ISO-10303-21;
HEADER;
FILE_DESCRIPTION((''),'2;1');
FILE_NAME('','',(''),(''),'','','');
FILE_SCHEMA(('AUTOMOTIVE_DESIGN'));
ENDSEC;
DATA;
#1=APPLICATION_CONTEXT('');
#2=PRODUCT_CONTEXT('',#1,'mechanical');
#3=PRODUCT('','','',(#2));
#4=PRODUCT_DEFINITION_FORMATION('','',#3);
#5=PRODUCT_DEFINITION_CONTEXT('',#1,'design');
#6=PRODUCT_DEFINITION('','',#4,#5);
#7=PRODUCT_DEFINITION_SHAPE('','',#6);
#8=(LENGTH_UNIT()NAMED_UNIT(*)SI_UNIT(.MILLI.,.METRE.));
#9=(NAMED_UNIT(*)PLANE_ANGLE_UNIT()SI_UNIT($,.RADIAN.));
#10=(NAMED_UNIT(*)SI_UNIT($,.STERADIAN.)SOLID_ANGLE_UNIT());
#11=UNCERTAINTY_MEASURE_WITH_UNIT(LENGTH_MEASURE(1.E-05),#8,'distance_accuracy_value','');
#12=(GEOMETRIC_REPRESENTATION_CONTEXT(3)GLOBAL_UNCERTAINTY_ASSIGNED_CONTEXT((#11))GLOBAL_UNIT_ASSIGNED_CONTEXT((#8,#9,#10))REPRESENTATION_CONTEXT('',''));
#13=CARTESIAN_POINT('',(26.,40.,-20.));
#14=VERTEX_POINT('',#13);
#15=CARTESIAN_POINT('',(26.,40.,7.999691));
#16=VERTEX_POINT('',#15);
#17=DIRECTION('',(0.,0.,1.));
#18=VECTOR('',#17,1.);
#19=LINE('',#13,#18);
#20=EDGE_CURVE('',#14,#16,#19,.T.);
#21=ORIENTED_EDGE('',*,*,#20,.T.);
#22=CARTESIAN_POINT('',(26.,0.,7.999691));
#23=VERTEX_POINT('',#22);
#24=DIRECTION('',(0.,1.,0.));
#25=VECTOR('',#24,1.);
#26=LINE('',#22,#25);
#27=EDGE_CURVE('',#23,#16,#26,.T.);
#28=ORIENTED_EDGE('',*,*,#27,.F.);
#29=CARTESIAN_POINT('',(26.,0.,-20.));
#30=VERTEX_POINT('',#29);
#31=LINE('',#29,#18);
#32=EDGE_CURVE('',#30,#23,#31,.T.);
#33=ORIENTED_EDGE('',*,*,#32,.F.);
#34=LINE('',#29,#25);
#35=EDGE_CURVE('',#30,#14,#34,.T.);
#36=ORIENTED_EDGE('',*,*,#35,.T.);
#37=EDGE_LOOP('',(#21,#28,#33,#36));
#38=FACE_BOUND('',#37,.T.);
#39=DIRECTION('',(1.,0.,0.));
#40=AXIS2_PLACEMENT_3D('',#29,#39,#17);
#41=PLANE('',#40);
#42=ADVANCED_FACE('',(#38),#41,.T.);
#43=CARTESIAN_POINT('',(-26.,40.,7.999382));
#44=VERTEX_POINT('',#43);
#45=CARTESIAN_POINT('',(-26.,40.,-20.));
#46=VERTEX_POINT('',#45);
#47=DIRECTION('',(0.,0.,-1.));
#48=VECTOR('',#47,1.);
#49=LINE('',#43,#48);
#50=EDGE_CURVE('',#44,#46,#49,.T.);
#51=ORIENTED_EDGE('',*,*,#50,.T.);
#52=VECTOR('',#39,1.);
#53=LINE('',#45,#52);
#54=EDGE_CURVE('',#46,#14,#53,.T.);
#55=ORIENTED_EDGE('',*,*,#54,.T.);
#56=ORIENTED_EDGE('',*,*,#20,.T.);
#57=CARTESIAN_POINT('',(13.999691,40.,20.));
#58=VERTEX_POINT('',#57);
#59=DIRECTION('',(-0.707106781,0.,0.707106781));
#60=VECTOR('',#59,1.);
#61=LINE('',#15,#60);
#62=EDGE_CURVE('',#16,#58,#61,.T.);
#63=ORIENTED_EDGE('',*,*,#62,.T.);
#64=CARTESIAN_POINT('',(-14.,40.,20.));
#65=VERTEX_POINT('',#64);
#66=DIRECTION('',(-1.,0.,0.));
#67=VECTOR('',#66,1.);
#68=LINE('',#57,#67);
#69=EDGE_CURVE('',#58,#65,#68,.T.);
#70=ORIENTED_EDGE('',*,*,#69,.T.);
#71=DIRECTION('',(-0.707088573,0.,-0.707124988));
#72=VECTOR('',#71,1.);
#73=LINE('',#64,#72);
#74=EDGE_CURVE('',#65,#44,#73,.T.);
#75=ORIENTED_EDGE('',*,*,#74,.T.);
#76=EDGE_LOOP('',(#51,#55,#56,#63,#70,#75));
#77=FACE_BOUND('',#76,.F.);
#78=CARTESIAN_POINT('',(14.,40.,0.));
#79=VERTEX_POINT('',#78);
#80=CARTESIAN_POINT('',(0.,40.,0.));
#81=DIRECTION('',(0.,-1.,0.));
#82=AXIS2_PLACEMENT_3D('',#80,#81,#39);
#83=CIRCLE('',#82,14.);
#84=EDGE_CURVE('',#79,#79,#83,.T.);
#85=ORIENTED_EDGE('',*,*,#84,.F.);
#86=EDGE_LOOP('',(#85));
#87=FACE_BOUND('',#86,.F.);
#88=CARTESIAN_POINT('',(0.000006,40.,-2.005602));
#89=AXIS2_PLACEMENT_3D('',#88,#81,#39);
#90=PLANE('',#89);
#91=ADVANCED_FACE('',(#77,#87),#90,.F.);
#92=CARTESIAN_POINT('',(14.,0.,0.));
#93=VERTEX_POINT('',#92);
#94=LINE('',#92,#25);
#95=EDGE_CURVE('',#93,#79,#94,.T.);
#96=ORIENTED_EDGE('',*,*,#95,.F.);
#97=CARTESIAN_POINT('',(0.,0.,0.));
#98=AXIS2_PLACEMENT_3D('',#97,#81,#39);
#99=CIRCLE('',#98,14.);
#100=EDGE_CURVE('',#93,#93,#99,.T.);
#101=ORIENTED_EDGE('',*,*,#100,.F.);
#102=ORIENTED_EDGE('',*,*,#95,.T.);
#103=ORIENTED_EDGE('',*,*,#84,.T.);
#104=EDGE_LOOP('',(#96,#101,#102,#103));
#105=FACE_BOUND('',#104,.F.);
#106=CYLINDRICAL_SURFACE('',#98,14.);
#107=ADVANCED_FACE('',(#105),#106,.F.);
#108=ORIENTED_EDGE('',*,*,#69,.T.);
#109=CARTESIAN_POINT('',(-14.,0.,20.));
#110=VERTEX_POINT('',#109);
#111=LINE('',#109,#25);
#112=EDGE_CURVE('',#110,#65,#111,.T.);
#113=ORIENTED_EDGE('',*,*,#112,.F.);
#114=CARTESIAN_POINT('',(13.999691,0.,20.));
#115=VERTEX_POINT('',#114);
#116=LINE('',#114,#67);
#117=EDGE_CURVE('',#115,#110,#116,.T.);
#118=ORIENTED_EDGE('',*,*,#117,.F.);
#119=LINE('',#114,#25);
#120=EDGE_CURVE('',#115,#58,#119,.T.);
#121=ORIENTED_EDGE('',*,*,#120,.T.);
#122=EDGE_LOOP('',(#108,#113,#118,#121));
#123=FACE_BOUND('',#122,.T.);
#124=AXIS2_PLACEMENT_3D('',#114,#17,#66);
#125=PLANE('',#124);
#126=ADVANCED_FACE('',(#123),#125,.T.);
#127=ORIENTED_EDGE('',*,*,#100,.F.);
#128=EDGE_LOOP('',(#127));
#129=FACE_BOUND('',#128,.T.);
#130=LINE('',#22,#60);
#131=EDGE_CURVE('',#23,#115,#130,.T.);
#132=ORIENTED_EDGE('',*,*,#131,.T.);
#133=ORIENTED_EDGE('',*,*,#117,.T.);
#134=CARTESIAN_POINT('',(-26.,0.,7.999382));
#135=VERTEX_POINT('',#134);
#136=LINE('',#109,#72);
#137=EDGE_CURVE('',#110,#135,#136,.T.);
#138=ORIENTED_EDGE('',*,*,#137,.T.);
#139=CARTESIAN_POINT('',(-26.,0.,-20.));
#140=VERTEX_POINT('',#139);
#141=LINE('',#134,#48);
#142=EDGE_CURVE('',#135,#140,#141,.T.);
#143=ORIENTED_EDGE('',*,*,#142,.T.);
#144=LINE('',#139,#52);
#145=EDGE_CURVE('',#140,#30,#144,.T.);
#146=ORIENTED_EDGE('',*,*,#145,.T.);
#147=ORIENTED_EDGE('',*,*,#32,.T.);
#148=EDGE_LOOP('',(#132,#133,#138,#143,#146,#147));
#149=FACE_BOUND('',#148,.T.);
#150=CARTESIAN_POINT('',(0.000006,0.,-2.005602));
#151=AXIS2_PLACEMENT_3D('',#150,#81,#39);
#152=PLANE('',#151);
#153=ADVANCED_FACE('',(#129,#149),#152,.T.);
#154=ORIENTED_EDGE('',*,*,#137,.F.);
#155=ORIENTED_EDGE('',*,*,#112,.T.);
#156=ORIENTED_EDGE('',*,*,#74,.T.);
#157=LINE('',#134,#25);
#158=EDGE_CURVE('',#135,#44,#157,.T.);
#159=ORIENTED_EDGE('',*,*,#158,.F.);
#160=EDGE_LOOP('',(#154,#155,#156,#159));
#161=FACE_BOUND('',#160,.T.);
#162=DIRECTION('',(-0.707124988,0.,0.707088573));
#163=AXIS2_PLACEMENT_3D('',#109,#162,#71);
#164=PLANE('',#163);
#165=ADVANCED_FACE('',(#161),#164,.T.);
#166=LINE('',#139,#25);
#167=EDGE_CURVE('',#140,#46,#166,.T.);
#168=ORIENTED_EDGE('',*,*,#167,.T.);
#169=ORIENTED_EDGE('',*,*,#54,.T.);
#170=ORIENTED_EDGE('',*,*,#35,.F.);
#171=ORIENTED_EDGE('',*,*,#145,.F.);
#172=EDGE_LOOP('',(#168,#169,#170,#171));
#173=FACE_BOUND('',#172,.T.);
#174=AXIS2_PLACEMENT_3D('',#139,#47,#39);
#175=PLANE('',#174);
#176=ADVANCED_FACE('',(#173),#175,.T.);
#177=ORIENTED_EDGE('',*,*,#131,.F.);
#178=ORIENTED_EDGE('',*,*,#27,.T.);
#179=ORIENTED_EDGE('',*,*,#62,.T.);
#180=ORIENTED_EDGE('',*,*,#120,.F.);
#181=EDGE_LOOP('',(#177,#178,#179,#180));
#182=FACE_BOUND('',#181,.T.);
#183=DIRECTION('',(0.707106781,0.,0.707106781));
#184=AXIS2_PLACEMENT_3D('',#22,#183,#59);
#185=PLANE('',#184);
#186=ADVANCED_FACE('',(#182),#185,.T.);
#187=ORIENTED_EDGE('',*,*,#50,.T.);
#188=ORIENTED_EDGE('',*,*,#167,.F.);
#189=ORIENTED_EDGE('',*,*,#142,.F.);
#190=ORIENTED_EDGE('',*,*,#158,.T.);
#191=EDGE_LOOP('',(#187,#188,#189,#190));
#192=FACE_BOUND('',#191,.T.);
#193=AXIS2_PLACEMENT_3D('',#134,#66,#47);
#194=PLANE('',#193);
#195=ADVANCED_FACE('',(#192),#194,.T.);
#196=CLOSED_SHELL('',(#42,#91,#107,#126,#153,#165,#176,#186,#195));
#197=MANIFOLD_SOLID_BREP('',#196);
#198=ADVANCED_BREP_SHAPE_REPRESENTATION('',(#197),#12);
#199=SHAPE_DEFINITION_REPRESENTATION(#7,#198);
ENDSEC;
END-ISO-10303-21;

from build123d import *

# Parameters (mm, degrees)
F0_R     = 14
F1_DEPTH = 40


with BuildPart() as f1:
    # F0 (on Front) → F1 (new body)
    with BuildSketch(Plane.XZ):
        Polygon((13.999691, 20), (-14, 20), (-26, 7.999382), (-26, -20), (26, -20), (26, 7.999691), align=None)
        Circle(F0_R, mode=Mode.SUBTRACT)
    extrude(amount=-F1_DEPTH)


solid = f1.part
